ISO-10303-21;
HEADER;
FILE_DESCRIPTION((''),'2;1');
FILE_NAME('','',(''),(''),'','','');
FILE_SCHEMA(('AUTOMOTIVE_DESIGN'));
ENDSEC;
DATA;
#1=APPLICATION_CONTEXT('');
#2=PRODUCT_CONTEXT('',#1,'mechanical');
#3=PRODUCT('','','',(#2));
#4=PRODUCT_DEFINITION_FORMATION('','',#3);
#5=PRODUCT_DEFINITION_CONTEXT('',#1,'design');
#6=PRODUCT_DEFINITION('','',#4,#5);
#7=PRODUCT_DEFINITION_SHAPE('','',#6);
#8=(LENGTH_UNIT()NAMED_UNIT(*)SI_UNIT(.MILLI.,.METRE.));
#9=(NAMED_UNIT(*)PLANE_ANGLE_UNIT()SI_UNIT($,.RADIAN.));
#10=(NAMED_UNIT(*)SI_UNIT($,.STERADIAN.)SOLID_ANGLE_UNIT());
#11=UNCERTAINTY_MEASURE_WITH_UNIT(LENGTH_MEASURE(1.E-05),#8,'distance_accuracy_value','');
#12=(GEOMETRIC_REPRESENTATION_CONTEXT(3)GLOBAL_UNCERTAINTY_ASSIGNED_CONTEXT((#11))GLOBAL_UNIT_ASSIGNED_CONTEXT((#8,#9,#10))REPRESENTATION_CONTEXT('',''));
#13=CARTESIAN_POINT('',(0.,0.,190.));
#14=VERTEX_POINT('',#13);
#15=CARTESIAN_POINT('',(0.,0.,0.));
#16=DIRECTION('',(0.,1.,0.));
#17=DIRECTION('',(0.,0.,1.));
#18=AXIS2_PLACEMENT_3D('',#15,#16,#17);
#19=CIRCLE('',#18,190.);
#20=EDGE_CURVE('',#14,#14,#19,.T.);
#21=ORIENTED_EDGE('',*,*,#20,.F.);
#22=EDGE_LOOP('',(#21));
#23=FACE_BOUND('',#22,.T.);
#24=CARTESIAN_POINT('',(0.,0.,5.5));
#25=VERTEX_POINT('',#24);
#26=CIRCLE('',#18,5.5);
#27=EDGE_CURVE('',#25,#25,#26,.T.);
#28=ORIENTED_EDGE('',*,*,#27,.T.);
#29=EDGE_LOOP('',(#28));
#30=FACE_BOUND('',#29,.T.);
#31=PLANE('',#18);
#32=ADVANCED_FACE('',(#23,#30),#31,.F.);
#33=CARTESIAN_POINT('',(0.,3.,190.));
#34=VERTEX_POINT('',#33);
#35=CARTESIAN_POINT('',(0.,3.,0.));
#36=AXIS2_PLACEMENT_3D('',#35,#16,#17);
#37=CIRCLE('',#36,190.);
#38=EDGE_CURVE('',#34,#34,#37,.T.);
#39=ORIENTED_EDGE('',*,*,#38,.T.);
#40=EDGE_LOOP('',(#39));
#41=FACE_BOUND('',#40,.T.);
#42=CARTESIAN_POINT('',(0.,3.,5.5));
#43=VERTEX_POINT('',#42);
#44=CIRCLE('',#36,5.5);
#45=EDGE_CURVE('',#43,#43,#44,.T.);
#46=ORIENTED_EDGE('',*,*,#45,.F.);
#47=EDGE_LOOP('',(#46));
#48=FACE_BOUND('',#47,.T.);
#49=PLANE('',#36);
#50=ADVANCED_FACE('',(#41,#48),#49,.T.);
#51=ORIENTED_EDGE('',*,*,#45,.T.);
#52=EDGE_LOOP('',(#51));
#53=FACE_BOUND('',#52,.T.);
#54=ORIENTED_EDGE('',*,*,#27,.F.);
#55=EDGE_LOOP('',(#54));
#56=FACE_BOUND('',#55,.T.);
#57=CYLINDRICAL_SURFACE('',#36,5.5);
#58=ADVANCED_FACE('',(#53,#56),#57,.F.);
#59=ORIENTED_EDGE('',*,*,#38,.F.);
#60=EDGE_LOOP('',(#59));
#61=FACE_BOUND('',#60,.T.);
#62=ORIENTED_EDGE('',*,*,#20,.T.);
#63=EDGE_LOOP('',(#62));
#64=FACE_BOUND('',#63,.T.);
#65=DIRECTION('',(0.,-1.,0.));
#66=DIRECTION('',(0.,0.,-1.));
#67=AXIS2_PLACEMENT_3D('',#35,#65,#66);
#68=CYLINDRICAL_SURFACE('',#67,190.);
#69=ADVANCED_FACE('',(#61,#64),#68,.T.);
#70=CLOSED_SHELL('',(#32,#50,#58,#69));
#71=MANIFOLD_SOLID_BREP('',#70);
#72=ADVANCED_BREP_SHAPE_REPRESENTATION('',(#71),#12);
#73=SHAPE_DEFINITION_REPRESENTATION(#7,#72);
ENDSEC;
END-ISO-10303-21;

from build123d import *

# Parameters (mm, degrees)
SKETCH_1_R              = 190
EXTRUDE_1_DEPTH         = 3
HOLE_WIZARD_11_0_11_1_D = 11


with BuildPart() as part:
    # 草图1 → 凸台-拉伸1 (new body)
    with BuildSketch(Plane(origin=(0, 0, 0), x_dir=(1, 0, 0), z_dir=(0, 1, 0))):
        with Locations(Location((0, 0, 0), (0, 0, 270))):
            Circle(SKETCH_1_R)
    extrude(amount=EXTRUDE_1_DEPTH)

    # Ø11.0 (11) 直径孔1 (through all)
    with Locations(Plane(origin=(0, 3, 0), x_dir=(1, 0, 0), z_dir=(0, 1, 0))):
        with Locations((0, 0)):
            Hole(HOLE_WIZARD_11_0_11_1_D / 2)


solid = part.part
